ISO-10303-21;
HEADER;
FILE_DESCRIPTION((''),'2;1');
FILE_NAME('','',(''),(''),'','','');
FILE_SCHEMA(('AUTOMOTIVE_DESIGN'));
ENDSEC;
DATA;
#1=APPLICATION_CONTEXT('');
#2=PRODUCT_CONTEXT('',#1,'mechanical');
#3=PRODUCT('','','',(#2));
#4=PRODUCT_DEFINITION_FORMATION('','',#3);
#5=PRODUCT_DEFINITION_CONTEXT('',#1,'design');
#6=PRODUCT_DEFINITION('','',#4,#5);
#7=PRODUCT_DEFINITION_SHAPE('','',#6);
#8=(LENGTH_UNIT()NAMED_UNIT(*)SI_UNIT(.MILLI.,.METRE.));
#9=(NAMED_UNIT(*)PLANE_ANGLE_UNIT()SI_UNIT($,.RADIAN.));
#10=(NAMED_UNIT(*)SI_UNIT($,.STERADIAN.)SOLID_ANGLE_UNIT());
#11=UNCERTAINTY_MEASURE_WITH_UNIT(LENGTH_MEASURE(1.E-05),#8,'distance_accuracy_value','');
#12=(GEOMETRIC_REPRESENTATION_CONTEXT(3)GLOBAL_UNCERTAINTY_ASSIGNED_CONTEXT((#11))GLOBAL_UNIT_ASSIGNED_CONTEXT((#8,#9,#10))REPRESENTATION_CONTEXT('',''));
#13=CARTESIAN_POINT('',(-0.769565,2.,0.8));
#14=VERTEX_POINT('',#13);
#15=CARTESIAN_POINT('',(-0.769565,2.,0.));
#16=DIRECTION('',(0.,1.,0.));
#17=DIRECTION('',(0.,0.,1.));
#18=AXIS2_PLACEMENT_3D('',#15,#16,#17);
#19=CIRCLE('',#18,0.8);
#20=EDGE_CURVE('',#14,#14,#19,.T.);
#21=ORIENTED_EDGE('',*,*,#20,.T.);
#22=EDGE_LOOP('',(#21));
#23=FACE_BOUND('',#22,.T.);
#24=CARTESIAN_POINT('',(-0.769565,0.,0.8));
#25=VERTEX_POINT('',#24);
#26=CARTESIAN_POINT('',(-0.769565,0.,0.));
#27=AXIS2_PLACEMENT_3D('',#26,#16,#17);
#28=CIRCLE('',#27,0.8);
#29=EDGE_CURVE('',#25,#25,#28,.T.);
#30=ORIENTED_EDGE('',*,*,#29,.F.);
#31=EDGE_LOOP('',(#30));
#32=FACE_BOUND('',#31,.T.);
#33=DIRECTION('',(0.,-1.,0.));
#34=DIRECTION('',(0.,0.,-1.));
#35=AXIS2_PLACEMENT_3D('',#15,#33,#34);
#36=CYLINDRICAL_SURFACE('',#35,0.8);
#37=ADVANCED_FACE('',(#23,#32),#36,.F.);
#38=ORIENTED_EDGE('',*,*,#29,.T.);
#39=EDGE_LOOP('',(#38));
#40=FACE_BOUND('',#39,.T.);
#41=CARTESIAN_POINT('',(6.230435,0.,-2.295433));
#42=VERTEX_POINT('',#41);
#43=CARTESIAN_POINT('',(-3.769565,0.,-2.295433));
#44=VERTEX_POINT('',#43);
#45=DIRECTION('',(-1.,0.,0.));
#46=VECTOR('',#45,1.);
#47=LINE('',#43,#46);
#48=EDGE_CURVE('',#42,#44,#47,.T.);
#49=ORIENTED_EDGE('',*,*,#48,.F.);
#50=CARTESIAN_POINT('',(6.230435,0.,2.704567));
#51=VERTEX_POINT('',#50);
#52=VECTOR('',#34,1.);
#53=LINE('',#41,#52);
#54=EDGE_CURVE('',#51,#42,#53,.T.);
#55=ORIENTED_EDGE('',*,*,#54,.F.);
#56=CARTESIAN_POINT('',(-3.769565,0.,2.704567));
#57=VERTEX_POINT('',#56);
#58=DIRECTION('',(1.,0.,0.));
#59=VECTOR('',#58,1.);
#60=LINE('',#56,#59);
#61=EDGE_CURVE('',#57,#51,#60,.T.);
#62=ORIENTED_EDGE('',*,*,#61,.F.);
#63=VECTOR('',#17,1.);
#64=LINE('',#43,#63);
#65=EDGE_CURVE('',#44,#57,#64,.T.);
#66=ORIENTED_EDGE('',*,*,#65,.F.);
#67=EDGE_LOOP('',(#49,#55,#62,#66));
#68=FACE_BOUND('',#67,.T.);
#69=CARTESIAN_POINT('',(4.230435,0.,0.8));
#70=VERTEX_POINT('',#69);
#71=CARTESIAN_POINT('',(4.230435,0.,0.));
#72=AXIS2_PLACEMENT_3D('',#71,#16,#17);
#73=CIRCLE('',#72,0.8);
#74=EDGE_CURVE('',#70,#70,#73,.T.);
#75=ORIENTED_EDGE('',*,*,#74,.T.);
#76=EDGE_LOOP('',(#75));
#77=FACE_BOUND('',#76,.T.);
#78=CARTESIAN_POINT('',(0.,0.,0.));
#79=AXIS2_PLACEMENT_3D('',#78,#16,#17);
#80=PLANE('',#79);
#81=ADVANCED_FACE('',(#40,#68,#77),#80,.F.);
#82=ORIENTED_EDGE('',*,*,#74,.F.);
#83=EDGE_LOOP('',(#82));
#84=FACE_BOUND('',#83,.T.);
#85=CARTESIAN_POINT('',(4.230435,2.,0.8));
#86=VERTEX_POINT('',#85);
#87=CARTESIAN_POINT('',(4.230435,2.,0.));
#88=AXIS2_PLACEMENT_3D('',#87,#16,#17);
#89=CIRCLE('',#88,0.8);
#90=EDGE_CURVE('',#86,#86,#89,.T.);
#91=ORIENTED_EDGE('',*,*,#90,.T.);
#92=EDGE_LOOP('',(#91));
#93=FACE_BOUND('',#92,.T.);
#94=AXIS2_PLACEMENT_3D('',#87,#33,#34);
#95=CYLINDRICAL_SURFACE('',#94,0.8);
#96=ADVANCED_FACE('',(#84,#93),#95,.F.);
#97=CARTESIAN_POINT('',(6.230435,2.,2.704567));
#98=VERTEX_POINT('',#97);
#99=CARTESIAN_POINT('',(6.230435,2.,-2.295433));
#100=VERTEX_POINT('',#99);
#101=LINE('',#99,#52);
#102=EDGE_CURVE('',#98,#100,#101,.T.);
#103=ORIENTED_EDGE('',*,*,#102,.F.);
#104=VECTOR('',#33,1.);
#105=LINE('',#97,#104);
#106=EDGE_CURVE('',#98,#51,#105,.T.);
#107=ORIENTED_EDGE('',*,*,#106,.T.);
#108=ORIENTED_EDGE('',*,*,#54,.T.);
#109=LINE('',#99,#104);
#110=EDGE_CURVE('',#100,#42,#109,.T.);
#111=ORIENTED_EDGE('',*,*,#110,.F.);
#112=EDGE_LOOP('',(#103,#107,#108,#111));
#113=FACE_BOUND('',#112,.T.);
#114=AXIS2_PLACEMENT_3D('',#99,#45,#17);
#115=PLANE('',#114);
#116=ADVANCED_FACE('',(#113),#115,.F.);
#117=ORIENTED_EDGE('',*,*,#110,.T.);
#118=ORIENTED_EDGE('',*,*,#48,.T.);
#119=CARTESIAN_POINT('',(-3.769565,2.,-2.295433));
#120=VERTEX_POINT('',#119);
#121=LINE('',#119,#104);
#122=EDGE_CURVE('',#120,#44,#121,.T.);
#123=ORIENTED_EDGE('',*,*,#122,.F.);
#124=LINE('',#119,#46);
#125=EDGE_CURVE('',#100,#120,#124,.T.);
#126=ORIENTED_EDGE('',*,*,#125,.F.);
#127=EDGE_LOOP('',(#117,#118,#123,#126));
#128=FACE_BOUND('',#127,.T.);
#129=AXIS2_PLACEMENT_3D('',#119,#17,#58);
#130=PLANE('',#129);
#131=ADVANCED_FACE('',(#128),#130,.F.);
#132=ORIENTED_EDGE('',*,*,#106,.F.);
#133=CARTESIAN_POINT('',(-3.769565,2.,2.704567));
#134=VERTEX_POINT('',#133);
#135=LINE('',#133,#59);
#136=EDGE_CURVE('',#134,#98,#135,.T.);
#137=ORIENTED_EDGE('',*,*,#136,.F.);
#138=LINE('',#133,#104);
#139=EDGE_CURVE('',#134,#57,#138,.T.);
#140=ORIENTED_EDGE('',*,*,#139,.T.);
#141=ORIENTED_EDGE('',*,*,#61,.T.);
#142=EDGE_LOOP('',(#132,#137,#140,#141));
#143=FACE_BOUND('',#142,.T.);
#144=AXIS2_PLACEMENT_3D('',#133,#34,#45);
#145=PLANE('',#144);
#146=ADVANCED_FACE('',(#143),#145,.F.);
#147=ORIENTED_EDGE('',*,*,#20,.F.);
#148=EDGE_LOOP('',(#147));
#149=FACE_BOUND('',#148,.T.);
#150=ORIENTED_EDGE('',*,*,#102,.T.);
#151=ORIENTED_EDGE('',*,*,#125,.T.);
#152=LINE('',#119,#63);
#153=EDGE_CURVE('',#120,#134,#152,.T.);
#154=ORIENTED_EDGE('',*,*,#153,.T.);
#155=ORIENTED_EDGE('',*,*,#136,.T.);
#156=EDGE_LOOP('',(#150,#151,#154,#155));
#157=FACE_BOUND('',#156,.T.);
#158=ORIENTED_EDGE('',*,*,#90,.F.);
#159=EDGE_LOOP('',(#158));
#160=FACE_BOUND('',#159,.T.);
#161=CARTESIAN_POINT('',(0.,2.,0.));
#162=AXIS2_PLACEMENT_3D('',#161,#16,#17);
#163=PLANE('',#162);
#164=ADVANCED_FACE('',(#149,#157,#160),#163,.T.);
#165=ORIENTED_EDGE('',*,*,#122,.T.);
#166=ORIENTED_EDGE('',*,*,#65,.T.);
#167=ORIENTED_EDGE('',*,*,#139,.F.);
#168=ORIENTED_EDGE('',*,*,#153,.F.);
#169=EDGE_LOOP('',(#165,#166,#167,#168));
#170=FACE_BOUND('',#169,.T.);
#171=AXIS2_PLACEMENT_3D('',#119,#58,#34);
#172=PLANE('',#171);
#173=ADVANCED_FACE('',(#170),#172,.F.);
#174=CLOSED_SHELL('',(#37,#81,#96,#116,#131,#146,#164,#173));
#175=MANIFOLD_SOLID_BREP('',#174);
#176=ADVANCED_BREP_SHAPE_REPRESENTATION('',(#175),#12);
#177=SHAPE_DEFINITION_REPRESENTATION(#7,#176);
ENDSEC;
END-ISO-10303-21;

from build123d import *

# Parameters (mm, degrees)
SKETCH1_W           = 10
SKETCH1_H           = 5
SKETCH1_R           = 0.8
BOSS_EXTRUDE1_DEPTH = 2


with BuildPart() as part:
    # Sketch1 → Boss-Extrude1 (new body)
    with BuildSketch(Plane(origin=(0, 0, 0), x_dir=(1, 0, 0), z_dir=(0, 1, 0))):
        with Locations((1.230435368, -0.204567399)):
            Rectangle(SKETCH1_W, SKETCH1_H)
        with Locations((-0.769564632, 0)):
            Circle(SKETCH1_R, mode=Mode.SUBTRACT)
        with Locations((4.230435368, 0)):
            Circle(SKETCH1_R, mode=Mode.SUBTRACT)
    extrude(amount=BOSS_EXTRUDE1_DEPTH)


solid = part.part
